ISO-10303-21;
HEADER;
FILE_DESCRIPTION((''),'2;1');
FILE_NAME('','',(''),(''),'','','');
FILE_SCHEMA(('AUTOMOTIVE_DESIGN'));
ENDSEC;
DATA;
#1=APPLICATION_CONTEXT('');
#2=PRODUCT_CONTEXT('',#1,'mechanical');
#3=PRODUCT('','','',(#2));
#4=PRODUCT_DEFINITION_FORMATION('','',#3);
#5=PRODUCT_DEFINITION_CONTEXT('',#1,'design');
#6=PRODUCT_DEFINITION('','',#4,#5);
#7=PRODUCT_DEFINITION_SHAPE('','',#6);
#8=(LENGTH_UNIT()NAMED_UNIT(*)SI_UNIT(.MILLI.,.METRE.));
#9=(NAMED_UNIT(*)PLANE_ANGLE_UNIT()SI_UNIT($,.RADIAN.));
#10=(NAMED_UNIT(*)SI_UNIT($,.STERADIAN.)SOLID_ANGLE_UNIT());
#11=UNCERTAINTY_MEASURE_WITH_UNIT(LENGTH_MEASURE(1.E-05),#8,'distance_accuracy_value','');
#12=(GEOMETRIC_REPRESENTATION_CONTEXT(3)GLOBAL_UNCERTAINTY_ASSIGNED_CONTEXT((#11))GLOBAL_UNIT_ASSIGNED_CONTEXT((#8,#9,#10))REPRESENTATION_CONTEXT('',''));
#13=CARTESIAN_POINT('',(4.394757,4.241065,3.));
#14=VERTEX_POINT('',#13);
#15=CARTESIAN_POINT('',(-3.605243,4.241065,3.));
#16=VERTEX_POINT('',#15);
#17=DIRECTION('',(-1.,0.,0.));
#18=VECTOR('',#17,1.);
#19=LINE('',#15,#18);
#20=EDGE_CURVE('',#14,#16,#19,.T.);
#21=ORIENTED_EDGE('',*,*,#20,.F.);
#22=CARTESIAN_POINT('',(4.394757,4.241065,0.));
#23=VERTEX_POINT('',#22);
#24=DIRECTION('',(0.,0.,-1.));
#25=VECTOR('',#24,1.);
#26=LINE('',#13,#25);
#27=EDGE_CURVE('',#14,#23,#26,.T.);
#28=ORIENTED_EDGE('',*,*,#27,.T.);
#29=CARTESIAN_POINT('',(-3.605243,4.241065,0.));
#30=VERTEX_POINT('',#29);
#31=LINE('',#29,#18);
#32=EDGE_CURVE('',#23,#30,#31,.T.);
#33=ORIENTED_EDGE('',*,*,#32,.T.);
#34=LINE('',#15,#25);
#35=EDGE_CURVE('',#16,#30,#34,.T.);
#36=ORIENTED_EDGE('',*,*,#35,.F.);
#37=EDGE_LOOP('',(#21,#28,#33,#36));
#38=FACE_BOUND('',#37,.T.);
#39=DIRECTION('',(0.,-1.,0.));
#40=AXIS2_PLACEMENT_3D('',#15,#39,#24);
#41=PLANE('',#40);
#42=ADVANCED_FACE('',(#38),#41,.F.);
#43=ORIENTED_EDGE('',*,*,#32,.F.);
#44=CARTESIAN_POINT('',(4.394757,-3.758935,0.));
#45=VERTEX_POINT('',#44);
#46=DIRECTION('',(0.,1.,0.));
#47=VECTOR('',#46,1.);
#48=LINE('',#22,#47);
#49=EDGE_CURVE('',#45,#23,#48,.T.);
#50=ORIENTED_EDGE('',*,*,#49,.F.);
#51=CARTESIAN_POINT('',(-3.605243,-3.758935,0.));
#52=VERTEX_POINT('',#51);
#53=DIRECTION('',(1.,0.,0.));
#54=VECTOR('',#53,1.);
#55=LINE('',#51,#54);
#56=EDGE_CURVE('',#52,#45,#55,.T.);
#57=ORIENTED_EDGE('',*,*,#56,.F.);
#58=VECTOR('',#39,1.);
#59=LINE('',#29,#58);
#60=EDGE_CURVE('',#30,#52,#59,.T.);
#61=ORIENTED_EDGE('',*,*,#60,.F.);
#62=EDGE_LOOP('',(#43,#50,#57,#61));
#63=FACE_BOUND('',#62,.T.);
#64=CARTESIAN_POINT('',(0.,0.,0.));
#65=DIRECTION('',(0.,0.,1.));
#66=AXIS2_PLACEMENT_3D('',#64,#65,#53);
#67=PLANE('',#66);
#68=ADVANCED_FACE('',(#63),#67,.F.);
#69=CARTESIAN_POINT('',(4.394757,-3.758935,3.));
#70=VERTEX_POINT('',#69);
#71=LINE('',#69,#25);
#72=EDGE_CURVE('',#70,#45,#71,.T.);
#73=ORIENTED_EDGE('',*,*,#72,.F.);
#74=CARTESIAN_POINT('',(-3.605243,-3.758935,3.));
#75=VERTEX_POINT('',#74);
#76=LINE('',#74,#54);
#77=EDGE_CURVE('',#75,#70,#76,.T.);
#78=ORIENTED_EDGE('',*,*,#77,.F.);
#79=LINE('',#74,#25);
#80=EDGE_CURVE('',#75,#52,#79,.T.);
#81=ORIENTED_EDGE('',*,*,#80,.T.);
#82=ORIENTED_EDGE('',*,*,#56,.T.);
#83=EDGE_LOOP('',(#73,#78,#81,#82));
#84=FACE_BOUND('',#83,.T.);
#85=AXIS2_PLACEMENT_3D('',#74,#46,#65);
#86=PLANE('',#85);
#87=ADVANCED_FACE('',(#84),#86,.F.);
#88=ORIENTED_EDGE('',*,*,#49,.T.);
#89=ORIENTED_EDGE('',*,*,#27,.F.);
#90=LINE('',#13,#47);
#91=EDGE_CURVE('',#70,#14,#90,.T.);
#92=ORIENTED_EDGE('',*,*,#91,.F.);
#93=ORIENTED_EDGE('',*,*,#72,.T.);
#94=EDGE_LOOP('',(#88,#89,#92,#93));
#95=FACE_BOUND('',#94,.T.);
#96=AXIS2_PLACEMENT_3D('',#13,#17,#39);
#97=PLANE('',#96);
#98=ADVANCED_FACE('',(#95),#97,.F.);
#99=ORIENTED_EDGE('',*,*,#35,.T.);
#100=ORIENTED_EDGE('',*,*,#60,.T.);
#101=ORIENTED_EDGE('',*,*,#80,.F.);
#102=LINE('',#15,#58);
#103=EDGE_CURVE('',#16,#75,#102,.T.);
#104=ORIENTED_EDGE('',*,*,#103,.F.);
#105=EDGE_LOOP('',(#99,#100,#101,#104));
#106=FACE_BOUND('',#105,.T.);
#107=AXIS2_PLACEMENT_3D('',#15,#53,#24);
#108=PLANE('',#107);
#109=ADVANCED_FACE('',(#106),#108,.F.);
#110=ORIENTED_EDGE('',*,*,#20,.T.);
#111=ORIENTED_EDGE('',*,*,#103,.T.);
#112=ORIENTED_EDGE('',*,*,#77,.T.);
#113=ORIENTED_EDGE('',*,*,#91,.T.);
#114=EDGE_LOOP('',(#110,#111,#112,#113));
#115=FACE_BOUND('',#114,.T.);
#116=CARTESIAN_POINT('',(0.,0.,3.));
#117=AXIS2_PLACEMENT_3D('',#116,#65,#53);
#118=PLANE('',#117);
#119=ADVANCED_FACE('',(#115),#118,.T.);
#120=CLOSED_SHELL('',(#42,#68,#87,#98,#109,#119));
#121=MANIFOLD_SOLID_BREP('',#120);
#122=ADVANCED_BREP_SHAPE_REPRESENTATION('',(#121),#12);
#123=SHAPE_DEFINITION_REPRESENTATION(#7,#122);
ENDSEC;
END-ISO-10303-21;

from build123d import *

# Parameters (mm, degrees)
SKETCH_1_W      = 8
SKETCH_1_H      = 8
EXTRUDE_1_DEPTH = 3


with BuildPart() as part:
    # 草图1 → 凸台-拉伸1 (new body)
    with BuildSketch(Plane.XY):
        with Locations((0.394756957, 0.241064666)):
            Rectangle(SKETCH_1_W, SKETCH_1_H)
    extrude(amount=EXTRUDE_1_DEPTH)


solid = part.part
